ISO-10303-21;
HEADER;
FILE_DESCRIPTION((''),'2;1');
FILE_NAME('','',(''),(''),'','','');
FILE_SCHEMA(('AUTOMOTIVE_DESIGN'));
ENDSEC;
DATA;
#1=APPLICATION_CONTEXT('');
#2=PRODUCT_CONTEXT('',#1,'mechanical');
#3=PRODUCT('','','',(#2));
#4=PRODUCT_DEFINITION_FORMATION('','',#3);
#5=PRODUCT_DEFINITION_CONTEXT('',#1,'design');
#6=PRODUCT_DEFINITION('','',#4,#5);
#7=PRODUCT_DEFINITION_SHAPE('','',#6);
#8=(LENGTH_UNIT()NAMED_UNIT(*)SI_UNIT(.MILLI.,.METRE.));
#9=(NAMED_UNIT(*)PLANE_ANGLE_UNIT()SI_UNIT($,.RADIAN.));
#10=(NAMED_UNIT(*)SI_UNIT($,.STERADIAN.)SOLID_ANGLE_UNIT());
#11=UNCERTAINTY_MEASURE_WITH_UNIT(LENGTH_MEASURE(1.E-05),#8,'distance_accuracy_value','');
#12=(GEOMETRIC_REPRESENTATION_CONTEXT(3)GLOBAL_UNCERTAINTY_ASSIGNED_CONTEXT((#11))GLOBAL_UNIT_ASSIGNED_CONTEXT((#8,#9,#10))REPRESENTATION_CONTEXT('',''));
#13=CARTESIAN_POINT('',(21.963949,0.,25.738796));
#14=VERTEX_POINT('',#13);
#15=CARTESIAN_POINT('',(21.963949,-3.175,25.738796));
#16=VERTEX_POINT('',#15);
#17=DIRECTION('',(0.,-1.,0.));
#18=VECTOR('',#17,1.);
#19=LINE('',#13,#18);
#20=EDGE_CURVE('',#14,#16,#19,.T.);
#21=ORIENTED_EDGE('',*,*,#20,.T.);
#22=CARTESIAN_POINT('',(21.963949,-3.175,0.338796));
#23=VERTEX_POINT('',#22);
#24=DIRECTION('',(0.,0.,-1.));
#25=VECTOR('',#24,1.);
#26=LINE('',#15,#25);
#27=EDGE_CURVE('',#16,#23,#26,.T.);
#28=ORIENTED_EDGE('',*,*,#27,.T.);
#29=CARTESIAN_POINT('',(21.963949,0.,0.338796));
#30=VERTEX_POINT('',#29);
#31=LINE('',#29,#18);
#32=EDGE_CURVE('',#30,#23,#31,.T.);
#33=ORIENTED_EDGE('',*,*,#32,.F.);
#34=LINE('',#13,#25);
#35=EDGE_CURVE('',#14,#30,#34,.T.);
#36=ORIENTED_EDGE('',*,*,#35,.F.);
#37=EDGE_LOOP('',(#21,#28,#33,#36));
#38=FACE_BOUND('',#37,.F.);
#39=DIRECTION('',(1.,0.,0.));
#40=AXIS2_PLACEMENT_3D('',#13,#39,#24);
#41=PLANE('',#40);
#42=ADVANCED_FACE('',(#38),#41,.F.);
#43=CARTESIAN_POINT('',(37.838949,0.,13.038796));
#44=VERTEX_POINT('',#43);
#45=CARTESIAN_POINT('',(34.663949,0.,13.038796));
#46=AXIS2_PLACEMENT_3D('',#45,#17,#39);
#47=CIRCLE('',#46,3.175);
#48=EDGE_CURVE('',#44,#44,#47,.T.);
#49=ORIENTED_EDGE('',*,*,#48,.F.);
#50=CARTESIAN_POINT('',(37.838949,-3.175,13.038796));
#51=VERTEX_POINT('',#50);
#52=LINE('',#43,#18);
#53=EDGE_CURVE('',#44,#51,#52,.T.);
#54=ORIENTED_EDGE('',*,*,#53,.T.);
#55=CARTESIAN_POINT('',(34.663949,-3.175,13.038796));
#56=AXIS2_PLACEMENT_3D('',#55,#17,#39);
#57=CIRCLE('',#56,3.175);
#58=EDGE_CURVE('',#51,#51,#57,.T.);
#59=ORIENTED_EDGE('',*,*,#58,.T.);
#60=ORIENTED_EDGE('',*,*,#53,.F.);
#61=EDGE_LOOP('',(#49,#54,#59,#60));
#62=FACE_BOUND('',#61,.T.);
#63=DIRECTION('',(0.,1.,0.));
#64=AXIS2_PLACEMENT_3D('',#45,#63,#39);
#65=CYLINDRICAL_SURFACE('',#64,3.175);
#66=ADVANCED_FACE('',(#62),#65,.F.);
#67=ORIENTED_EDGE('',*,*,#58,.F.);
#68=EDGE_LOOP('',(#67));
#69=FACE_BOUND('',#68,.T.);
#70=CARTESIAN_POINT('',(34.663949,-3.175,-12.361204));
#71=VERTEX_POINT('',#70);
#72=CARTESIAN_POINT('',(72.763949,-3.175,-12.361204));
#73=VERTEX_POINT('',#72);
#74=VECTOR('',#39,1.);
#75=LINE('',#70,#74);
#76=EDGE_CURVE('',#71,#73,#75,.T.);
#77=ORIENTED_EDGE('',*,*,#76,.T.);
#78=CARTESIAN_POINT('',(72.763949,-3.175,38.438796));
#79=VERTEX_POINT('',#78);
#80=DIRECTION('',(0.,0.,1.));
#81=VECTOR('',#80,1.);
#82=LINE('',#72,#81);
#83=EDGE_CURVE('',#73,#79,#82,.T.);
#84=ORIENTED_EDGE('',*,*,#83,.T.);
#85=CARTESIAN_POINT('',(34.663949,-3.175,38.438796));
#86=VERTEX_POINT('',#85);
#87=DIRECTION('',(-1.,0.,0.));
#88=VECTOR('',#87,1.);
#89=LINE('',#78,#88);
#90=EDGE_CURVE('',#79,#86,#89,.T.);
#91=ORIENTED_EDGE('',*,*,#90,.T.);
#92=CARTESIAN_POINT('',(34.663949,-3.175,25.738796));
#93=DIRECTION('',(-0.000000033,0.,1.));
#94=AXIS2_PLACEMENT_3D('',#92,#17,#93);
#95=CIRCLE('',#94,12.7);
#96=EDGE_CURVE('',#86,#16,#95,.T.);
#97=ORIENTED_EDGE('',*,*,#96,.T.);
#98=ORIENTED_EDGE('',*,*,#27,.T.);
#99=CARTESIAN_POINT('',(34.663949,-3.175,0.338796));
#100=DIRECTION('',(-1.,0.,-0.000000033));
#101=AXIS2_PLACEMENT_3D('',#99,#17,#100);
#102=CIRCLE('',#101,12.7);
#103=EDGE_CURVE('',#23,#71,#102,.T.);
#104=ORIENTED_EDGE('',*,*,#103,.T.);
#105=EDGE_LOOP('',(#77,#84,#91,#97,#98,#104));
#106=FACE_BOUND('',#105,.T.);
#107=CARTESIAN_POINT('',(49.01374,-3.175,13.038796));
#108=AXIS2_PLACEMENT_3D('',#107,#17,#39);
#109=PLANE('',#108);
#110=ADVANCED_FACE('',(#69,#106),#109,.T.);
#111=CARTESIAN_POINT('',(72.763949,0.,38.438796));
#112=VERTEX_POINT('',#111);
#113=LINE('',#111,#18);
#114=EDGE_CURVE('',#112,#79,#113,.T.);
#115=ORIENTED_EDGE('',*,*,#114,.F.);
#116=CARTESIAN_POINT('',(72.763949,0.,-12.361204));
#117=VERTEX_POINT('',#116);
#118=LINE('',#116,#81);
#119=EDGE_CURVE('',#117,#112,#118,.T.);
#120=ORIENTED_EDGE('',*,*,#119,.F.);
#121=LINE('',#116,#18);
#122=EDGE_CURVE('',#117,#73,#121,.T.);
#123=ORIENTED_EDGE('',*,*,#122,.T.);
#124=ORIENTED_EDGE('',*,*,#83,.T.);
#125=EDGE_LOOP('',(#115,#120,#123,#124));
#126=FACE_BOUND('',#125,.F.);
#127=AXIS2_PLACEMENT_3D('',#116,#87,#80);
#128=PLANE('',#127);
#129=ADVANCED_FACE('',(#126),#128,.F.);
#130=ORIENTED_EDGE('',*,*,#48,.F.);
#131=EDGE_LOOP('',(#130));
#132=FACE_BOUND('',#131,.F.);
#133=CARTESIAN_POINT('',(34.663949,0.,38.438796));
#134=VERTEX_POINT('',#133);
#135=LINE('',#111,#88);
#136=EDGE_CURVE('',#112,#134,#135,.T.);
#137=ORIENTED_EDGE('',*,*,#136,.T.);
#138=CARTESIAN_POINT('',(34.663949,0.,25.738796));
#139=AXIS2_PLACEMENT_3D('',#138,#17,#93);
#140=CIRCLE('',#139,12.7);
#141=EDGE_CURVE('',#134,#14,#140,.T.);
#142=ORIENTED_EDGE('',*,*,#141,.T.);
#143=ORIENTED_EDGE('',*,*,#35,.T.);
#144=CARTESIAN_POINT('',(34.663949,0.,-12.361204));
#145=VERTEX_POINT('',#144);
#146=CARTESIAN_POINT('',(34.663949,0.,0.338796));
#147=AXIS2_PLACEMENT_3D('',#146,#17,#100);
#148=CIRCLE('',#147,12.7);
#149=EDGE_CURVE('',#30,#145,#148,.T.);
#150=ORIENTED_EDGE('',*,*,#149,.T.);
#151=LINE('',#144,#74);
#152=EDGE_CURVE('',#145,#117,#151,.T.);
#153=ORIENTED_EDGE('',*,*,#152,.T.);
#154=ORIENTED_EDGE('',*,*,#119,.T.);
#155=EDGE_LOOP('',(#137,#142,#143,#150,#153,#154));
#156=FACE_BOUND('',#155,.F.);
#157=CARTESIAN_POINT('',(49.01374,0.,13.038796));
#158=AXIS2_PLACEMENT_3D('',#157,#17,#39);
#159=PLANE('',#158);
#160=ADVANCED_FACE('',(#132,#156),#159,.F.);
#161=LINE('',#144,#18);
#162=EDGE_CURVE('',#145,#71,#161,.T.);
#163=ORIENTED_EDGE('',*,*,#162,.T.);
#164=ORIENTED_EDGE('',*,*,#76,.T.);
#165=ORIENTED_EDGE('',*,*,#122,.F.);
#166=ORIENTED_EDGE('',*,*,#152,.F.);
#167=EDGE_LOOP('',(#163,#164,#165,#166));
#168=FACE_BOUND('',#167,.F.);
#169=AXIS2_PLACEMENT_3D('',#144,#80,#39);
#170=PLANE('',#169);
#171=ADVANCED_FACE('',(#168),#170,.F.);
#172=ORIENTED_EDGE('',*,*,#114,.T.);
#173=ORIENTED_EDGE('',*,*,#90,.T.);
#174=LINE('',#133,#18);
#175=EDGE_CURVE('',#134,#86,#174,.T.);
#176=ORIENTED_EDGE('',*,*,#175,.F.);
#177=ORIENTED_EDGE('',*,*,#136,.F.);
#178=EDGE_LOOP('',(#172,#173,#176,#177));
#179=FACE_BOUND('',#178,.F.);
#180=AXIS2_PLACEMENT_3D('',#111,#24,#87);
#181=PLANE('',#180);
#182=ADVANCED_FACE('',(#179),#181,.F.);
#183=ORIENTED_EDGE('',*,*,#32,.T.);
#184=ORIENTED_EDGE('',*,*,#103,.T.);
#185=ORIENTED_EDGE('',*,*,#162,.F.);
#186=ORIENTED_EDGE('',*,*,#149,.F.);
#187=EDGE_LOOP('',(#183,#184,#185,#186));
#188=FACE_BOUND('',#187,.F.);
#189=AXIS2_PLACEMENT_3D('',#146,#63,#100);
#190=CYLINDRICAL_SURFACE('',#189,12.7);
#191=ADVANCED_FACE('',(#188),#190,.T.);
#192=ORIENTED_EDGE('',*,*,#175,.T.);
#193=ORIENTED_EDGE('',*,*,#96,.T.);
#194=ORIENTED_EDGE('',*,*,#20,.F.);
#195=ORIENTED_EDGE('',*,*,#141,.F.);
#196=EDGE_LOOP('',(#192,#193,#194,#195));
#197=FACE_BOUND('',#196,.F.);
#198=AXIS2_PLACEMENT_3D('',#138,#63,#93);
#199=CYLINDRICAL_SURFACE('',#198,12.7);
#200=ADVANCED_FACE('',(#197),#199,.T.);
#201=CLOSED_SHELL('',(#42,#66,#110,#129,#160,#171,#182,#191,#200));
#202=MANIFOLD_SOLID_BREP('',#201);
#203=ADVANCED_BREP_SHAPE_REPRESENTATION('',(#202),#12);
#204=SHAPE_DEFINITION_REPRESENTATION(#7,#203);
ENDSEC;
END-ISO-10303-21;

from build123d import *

# Parameters (mm, degrees)
F0_R     = 3.175
F1_DEPTH = 3.175


with BuildPart() as f1:
    # F0 (on Front) → F1 (new body)
    with BuildSketch(Plane.XZ):
        with BuildLine():
            Line((72.763949, 38.438796), (34.663949, 38.438796))
            ThreePointArc((34.663949, 38.438796), (25.683693, 34.719052), (21.963949, 25.738796))
            Line((21.963949, 25.738796), (21.963949, 0.338796))
            ThreePointArc((21.963949, 0.338796), (25.683693, -8.64146), (34.663949, -12.361204))
            Line((34.663949, -12.361204), (72.763949, -12.361204))
            Line((72.763949, -12.361204), (72.763949, 38.438796))
        make_face()
        with Locations((34.663949, 13.038796)):
            Circle(F0_R, mode=Mode.SUBTRACT)
    extrude(amount=F1_DEPTH)


solid = f1.part
